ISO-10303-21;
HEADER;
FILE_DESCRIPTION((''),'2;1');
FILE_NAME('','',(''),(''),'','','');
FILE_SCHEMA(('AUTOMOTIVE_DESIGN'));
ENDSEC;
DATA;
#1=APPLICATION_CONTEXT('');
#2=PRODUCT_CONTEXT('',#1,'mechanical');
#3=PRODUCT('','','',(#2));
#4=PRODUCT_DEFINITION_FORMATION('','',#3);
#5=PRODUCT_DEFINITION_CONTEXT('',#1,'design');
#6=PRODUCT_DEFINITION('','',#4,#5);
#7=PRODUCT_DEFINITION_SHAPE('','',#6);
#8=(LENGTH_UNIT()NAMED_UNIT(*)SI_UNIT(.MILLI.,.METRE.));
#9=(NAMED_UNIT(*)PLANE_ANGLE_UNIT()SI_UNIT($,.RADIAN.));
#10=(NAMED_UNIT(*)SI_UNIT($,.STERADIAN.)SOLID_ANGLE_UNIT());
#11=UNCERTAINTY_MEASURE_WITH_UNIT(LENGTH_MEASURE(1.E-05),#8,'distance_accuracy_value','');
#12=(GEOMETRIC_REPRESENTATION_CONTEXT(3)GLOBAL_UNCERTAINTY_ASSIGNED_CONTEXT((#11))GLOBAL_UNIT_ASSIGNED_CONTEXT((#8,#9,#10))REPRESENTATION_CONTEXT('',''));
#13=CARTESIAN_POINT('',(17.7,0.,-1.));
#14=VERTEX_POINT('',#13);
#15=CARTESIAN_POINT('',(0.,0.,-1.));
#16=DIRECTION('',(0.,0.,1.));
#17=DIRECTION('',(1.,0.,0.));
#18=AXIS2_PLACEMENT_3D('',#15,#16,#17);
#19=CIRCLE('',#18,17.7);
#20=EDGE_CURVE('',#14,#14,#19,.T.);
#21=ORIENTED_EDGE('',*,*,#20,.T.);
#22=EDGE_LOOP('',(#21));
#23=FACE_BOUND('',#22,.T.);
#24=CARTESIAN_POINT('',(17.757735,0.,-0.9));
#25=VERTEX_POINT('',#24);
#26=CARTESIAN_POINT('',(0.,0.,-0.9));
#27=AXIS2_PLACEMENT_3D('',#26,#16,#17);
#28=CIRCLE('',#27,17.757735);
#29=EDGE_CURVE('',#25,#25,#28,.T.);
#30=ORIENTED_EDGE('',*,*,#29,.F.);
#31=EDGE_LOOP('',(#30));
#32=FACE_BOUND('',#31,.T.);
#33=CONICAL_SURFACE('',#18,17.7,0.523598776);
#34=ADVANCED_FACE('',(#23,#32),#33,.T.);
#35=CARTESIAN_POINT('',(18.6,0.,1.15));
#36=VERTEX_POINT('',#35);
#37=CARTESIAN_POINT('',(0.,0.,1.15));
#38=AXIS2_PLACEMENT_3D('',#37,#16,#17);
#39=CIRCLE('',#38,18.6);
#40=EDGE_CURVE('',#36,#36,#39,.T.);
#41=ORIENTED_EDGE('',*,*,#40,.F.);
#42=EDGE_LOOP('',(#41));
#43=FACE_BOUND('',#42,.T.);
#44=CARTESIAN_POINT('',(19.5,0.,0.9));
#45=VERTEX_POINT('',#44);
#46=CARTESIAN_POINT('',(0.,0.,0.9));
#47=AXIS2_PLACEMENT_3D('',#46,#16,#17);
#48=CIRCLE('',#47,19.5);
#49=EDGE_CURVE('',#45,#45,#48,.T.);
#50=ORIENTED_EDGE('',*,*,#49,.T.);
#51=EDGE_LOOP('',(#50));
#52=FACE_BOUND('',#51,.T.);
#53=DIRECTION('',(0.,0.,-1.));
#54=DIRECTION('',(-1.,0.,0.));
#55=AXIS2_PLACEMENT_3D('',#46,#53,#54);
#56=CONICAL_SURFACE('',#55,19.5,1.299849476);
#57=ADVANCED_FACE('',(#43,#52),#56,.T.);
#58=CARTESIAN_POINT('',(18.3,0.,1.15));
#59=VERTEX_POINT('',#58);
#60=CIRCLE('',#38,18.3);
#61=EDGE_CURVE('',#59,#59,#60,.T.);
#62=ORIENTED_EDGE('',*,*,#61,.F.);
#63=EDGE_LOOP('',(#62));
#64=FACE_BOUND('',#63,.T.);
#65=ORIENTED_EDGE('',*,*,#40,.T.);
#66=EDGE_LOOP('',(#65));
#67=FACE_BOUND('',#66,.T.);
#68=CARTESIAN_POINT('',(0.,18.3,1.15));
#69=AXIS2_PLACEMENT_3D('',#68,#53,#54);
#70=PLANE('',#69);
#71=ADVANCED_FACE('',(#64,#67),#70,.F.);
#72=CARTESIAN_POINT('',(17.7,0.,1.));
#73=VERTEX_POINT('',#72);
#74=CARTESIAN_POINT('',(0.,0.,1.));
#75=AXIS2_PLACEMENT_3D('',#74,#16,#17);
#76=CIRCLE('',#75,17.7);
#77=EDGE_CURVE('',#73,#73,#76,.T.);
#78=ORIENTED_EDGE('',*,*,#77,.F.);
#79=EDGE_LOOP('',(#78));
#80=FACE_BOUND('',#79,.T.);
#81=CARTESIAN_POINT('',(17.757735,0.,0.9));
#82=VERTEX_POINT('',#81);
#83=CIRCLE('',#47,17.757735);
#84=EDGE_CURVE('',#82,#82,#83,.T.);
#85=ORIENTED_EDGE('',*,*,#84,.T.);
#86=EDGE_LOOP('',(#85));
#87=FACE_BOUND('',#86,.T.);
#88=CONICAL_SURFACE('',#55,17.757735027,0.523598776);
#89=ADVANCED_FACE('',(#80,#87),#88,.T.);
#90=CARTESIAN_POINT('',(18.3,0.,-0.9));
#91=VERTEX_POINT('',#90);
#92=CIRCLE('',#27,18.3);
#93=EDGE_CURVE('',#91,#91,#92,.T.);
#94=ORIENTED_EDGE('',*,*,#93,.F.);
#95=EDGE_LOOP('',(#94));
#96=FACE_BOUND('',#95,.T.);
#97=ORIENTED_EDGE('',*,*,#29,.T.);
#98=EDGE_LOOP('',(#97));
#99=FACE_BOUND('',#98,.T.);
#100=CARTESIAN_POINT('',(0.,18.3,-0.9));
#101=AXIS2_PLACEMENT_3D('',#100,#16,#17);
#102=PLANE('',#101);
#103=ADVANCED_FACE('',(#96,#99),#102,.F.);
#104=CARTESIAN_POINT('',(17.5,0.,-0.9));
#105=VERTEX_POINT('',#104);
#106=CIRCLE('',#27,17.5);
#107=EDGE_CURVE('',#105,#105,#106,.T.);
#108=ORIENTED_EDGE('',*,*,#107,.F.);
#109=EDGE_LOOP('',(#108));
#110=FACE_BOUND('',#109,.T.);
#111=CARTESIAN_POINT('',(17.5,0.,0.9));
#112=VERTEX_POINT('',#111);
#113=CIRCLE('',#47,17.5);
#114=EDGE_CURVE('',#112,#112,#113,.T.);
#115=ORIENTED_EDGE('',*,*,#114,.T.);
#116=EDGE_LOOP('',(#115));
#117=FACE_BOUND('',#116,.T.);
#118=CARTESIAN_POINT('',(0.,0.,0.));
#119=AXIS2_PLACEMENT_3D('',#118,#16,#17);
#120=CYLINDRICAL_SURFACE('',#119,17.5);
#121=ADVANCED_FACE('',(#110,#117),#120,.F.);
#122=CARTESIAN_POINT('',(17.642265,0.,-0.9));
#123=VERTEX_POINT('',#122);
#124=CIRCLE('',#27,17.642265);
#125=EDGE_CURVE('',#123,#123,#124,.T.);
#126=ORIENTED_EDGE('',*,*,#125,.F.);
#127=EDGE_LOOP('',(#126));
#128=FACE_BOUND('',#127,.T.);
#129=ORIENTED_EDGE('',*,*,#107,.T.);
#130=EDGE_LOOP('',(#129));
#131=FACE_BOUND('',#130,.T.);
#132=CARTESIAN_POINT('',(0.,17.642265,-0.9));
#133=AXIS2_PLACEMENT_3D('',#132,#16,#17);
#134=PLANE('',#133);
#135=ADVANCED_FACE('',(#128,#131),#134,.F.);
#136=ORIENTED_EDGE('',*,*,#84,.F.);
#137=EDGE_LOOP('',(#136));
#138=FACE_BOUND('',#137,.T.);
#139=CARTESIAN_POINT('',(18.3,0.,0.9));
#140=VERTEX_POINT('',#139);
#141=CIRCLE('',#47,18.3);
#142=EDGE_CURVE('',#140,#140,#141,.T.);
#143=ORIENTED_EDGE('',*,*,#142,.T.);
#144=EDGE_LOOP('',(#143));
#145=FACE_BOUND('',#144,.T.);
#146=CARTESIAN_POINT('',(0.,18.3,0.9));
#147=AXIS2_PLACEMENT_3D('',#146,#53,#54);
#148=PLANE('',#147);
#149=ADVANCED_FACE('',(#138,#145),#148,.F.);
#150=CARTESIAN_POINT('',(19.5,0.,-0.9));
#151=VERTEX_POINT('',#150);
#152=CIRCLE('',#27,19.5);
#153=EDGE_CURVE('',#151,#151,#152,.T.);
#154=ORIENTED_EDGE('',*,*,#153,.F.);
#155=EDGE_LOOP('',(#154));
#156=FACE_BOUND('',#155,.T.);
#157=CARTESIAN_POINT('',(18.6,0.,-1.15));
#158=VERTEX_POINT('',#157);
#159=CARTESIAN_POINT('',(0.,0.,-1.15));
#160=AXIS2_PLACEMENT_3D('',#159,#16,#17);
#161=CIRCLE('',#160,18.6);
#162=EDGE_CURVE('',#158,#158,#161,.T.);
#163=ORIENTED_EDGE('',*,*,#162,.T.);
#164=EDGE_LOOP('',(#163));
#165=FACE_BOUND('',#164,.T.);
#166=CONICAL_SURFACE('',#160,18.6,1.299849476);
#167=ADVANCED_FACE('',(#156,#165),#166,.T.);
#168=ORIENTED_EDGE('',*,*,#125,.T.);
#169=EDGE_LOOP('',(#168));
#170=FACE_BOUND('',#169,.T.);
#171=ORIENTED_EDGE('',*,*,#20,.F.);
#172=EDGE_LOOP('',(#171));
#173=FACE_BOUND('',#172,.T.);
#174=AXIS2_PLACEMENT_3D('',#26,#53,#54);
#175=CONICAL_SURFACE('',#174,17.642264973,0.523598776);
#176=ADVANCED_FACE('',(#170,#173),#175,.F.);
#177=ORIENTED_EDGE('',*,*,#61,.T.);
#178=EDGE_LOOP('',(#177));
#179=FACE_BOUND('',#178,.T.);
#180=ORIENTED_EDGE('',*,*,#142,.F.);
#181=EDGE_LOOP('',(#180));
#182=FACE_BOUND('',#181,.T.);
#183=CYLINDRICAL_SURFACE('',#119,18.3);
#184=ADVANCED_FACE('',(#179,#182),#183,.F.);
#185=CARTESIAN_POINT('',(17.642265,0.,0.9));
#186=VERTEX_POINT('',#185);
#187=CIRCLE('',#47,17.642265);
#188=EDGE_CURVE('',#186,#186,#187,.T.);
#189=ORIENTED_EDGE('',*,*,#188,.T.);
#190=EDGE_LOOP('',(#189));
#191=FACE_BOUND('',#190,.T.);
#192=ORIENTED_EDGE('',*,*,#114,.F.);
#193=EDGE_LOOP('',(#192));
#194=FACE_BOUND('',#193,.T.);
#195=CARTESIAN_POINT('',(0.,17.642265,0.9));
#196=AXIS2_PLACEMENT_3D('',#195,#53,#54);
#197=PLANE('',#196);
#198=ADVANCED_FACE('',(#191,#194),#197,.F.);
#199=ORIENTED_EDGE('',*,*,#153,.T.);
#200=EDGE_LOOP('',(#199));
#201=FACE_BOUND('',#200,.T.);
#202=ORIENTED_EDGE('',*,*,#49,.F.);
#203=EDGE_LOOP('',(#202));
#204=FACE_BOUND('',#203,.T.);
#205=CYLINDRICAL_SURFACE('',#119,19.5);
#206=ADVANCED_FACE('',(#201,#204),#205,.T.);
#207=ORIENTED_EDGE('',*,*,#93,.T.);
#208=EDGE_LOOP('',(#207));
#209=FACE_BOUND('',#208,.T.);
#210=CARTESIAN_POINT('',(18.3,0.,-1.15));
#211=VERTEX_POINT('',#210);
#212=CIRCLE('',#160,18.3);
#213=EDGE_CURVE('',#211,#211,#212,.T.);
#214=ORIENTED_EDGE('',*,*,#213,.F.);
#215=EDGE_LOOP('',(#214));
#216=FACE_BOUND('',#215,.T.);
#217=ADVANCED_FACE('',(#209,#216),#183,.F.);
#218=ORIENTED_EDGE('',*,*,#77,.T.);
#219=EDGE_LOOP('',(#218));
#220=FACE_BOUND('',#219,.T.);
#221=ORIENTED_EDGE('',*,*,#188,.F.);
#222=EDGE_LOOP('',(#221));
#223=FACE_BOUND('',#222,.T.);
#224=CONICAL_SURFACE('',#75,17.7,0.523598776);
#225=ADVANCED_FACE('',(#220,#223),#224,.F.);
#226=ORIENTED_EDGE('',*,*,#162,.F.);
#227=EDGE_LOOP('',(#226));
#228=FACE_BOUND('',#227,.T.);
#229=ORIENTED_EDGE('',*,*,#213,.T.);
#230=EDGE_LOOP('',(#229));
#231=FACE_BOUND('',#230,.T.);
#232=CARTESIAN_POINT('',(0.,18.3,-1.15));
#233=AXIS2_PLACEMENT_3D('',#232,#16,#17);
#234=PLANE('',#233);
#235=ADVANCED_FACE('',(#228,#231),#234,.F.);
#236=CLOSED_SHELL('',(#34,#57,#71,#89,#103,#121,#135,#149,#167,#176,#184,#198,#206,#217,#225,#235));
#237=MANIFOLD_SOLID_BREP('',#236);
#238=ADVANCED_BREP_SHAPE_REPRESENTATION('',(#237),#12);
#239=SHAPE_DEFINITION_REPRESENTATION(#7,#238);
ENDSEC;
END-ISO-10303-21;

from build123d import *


with BuildPart() as part:
    # Sketch2 → Revolve2 (revolve)
    with BuildSketch(Plane(origin=(0, 0, 0), x_dir=(0, 0, -1), z_dir=(1, 0, 0))):
        Polygon((-0.9, 19.5), (0.9, 19.5), (1.15, 18.6), (1.15, 18.3), (0.9, 18.3), (0.9, 17.757735027), (1, 17.7), (0.9, 17.642264973), (0.9, 17.5), (-0.9, 17.5), (-0.9, 17.642264973), (-1, 17.7), (-0.9, 17.757735027), (-0.9, 18.3), (-1.15, 18.3), (-1.15, 18.6), align=None)
    revolve(axis=Axis((0, 0, 0), (0, 0, -1)))


solid = part.part
